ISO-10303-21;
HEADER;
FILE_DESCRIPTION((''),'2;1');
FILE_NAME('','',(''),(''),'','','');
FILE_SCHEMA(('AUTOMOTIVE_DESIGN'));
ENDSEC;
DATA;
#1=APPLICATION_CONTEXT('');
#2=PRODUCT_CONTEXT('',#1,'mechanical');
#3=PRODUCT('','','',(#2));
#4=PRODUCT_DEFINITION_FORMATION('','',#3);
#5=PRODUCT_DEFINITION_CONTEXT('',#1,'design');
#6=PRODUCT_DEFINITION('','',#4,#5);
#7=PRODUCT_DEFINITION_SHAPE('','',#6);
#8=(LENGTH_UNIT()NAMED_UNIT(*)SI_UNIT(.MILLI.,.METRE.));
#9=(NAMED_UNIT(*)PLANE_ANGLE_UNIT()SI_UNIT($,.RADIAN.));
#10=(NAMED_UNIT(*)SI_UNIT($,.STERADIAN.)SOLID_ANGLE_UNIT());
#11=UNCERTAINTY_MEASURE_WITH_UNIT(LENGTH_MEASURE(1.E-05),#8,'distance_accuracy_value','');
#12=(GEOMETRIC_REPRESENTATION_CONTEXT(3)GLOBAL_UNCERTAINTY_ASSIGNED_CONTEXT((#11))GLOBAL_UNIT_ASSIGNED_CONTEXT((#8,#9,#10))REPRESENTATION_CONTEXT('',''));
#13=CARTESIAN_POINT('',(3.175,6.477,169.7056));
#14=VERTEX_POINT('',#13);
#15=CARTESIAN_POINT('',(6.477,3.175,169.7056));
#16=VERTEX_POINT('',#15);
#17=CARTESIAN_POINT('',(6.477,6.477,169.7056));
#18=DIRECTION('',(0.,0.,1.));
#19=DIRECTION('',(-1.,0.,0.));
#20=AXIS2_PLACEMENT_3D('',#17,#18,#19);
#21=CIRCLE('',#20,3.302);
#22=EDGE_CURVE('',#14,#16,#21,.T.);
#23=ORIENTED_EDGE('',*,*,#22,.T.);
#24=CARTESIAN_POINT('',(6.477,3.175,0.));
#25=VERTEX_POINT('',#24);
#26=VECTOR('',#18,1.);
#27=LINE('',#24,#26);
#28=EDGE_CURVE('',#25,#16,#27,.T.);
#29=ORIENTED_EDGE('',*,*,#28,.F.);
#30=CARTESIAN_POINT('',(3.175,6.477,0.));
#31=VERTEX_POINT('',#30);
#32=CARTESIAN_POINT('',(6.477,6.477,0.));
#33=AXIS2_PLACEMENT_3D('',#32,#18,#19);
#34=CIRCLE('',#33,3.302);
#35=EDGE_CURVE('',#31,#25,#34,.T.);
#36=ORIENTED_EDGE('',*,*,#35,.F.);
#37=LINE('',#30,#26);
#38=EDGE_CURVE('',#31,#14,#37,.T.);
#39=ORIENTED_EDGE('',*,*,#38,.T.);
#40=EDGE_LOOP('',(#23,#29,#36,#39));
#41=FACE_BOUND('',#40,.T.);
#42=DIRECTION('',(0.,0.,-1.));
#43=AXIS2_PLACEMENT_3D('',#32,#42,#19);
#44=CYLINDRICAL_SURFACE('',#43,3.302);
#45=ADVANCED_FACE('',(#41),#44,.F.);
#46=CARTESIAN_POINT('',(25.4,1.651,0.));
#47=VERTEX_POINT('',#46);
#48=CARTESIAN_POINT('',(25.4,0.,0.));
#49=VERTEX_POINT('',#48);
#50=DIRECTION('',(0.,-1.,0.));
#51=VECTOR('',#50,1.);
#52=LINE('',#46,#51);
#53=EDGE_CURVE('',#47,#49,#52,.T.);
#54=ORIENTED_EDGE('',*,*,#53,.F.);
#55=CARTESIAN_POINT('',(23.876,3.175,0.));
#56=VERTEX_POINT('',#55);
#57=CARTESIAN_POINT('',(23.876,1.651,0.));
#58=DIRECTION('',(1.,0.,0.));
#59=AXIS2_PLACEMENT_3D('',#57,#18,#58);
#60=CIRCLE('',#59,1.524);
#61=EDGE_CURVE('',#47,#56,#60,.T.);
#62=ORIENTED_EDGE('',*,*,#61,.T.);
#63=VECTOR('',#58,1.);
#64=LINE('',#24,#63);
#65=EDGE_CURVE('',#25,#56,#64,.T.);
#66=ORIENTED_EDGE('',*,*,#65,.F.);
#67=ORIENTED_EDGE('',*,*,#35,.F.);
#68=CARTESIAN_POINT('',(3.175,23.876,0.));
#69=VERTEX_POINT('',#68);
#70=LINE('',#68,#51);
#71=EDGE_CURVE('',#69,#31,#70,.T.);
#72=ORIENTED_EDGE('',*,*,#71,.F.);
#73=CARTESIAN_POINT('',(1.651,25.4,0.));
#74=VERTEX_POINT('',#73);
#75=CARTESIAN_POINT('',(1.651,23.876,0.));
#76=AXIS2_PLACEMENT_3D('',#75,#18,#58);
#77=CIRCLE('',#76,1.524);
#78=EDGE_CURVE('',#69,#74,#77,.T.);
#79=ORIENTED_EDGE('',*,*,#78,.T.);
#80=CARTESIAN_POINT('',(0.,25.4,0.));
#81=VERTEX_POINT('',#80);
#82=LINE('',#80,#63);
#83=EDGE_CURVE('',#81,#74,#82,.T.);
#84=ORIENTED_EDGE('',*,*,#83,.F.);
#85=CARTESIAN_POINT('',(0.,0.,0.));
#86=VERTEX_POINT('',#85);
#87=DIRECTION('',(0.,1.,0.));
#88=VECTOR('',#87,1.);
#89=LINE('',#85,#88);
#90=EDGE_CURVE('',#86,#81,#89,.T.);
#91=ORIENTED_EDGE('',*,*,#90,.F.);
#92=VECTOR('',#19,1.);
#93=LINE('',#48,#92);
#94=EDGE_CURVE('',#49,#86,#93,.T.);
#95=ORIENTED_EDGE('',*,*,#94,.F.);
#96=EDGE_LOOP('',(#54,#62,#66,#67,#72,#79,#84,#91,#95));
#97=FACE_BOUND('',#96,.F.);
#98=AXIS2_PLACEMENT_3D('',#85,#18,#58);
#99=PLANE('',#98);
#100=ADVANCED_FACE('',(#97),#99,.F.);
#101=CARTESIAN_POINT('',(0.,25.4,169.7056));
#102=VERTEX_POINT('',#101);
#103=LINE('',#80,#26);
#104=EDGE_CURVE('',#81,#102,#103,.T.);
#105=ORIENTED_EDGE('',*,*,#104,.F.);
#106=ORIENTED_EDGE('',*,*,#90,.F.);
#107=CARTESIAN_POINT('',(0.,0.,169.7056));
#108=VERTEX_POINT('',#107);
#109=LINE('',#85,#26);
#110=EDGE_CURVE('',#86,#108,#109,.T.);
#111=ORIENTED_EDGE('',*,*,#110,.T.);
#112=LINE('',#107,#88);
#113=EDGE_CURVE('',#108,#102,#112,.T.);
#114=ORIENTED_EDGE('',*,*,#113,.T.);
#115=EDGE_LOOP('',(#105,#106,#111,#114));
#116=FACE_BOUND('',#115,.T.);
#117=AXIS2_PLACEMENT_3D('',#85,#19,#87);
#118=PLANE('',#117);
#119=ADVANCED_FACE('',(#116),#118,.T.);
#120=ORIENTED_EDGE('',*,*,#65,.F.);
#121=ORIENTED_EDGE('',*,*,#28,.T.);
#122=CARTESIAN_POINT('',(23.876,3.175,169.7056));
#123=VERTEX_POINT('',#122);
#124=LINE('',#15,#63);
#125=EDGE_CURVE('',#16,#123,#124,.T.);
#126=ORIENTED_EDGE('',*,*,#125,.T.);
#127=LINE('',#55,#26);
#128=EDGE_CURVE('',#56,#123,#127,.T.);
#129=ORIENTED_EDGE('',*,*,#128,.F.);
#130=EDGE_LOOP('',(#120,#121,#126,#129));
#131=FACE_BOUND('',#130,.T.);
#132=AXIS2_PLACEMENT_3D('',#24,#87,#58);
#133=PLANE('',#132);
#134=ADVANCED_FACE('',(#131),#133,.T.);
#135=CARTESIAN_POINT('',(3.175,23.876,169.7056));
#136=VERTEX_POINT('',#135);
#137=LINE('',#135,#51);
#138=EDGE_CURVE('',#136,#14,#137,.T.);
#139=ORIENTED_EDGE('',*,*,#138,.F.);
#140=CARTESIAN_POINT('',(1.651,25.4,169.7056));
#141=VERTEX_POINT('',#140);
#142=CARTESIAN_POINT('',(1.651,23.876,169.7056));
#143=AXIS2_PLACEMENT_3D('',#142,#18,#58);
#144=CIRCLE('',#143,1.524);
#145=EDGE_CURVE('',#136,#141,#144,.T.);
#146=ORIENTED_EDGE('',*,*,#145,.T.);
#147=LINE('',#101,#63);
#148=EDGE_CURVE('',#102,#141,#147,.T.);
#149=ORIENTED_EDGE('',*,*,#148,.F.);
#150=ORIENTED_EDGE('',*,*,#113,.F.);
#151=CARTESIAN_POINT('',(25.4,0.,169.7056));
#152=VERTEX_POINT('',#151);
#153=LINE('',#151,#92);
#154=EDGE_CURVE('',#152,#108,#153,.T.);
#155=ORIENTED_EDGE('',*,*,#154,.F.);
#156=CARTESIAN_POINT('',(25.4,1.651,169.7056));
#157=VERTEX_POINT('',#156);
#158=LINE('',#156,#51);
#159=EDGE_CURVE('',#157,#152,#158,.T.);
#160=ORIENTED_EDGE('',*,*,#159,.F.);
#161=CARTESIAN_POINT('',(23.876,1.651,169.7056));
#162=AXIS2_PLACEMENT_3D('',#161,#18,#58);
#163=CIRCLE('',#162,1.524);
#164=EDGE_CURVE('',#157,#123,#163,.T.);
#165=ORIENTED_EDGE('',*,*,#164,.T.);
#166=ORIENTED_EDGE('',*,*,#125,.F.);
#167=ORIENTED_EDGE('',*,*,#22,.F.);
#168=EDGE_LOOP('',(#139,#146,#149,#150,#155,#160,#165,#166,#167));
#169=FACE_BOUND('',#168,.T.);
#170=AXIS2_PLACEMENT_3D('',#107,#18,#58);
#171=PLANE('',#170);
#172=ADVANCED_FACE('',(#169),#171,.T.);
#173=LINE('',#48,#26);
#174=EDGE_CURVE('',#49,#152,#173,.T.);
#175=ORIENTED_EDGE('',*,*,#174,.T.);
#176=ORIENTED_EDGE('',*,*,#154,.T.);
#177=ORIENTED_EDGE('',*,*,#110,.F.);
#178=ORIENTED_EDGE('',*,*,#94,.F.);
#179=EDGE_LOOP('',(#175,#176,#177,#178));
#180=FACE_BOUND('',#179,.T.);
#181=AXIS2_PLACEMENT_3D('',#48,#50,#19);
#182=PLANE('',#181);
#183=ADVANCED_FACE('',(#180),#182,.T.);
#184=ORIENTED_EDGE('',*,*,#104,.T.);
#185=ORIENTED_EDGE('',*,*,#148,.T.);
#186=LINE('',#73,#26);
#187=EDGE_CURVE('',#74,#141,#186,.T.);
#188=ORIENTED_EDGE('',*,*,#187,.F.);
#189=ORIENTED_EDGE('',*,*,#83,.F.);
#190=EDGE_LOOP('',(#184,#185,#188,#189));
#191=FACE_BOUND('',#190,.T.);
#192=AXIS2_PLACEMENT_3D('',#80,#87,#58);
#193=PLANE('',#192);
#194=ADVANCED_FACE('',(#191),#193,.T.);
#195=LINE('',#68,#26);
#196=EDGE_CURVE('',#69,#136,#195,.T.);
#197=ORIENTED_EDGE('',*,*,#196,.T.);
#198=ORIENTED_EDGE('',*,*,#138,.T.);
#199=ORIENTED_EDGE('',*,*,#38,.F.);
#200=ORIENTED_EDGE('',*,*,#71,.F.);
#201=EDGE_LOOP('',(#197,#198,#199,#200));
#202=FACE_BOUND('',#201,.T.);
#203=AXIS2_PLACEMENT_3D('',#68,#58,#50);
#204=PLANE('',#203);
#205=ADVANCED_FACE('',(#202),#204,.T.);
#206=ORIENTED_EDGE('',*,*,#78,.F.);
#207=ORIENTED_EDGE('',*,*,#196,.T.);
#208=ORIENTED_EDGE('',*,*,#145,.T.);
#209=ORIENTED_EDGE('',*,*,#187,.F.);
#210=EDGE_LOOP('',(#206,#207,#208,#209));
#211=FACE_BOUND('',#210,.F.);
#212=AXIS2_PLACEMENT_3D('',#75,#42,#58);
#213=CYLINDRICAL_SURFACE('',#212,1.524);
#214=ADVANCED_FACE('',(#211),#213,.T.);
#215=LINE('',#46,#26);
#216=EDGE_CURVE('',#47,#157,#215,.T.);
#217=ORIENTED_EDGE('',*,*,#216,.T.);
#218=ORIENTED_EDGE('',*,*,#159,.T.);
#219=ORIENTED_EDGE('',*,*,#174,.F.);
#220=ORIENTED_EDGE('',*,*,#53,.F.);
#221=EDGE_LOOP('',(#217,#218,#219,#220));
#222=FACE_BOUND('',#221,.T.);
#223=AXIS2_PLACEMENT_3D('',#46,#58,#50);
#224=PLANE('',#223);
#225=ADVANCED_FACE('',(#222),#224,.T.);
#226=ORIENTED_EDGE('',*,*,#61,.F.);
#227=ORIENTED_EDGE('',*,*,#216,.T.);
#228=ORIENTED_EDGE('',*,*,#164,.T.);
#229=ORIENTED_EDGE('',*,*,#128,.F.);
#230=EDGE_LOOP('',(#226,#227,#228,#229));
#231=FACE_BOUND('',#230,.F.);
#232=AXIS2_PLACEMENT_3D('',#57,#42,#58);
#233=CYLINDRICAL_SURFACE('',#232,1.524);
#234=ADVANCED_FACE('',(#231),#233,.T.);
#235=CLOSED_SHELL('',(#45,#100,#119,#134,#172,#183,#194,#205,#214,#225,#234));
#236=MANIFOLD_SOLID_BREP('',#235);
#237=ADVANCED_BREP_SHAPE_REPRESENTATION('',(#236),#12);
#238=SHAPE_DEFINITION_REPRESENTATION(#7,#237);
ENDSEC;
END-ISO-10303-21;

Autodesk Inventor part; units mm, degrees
ref_plane "YZ Plane" through (0, 0, 0) normal (1, 0, 0) x (0, 1, 0)
ref_plane "Start Plane" through (0, 0, 0) normal (0, 0, 1) x (1, 0, 0)
ref_plane "End Plane" through (0, 0, 169.7056) normal (0, 0, 1) x (1, 0, 0)
sketch "Sketch" plane through (0, 0, 0) normal (0, 0, 1) x (1, 0, 0)
  line L0 (25.4, 0) -> (0, 0)
  line L1 (0, 0) -> (0, 25.4)
  line L2 (0, 25.4) -> (1.651, 25.4)
  line L3 (3.175, 23.876) -> (3.175, 6.477)
  line L4 (6.477, 3.175) -> (23.876, 3.175)
  line L5 (25.4, 1.651) -> (25.4, 0)
  line L6 (0, -11.0414) -> (0, 31.5385) construction
  line L7 (-11.0414, 0) -> (31.5385, 0) construction
  arc A0 (3.175, 6.477) -> (6.477, 3.175) centre (6.477, 6.477) ccw
  arc A1 (3.175, 23.876) -> (1.651, 25.4) centre (1.651, 23.876) ccw
  arc A2 (25.4, 1.651) -> (23.876, 3.175) centre (23.876, 1.651) ccw
  line L8 (0, 40.0545) -> (0, -19.5574) construction
  line L9 (-19.5574, 0) -> (40.0545, 0) construction
  point P0 (3.175, 25.4)
  point P1 (3.175, 3.175)
  point P2 (25.4, 3.175)
  dimension "d0" = 25.4
  dimension "d1" = 25.4
  dimension "d2" = 3.175
  dimension "d3" = 3.175
  dimension "d10" = 0
  dimension "d11" = 0
  dimension "d14" = 3.302
  dimension "d15" = 1.524
extrude "Body" add sketch "Sketch" along normal up to surface (169.7056 mm away) from surface at 0
sketch "Sketch3" plane through (0, 0, 0) normal (0, 0, 1) x (1, 0, 0)
  line L0 (0, 0) -> (10, 0)
ref_plane "Work Plane3" through (0, 0, 0) normal (0, -1, 0) x (1, 0, 0)
sketch "Sketch4" plane through (0, 0, 0) normal (0, -1, 0) x (1, 0, 0)
  line L0 (-2, 0) -> (12, 0) projected
  line L1 (-2, 169.7056) -> (12, 169.7056) projected
  dimension "d17" = 169.7056
equation "\"d0\" = G_H"
equation "\"d1\" = G_H"
equation "\"d2\" = G_T"
equation "\"d3\" = G_T"
equation "\"d14\" = G_IR"
equation "\"d15\" = G_ER"
equation "\"d4\" = G_L"
equation "\"G_H\" = 25.4"
equation "\"G_T\" = 3.175"
equation "\"G_ER\" = 1.524"
equation "\"G_IR\" = 3.302"
equation "\"G_L\" = d17"
equation "\"ex\" = 0"
equation "\"G_OFFSET_START\" = 0"
equation "\"G_OFFSET_END\" = 0"
equation "\"d13\" = G_OFFSET_END + B_L"
equation "\"B_L\" = 169.70563"
properties part number "AISC - L 1 x 1 x 1/8 - 6.681" material "Steel, Mild"
